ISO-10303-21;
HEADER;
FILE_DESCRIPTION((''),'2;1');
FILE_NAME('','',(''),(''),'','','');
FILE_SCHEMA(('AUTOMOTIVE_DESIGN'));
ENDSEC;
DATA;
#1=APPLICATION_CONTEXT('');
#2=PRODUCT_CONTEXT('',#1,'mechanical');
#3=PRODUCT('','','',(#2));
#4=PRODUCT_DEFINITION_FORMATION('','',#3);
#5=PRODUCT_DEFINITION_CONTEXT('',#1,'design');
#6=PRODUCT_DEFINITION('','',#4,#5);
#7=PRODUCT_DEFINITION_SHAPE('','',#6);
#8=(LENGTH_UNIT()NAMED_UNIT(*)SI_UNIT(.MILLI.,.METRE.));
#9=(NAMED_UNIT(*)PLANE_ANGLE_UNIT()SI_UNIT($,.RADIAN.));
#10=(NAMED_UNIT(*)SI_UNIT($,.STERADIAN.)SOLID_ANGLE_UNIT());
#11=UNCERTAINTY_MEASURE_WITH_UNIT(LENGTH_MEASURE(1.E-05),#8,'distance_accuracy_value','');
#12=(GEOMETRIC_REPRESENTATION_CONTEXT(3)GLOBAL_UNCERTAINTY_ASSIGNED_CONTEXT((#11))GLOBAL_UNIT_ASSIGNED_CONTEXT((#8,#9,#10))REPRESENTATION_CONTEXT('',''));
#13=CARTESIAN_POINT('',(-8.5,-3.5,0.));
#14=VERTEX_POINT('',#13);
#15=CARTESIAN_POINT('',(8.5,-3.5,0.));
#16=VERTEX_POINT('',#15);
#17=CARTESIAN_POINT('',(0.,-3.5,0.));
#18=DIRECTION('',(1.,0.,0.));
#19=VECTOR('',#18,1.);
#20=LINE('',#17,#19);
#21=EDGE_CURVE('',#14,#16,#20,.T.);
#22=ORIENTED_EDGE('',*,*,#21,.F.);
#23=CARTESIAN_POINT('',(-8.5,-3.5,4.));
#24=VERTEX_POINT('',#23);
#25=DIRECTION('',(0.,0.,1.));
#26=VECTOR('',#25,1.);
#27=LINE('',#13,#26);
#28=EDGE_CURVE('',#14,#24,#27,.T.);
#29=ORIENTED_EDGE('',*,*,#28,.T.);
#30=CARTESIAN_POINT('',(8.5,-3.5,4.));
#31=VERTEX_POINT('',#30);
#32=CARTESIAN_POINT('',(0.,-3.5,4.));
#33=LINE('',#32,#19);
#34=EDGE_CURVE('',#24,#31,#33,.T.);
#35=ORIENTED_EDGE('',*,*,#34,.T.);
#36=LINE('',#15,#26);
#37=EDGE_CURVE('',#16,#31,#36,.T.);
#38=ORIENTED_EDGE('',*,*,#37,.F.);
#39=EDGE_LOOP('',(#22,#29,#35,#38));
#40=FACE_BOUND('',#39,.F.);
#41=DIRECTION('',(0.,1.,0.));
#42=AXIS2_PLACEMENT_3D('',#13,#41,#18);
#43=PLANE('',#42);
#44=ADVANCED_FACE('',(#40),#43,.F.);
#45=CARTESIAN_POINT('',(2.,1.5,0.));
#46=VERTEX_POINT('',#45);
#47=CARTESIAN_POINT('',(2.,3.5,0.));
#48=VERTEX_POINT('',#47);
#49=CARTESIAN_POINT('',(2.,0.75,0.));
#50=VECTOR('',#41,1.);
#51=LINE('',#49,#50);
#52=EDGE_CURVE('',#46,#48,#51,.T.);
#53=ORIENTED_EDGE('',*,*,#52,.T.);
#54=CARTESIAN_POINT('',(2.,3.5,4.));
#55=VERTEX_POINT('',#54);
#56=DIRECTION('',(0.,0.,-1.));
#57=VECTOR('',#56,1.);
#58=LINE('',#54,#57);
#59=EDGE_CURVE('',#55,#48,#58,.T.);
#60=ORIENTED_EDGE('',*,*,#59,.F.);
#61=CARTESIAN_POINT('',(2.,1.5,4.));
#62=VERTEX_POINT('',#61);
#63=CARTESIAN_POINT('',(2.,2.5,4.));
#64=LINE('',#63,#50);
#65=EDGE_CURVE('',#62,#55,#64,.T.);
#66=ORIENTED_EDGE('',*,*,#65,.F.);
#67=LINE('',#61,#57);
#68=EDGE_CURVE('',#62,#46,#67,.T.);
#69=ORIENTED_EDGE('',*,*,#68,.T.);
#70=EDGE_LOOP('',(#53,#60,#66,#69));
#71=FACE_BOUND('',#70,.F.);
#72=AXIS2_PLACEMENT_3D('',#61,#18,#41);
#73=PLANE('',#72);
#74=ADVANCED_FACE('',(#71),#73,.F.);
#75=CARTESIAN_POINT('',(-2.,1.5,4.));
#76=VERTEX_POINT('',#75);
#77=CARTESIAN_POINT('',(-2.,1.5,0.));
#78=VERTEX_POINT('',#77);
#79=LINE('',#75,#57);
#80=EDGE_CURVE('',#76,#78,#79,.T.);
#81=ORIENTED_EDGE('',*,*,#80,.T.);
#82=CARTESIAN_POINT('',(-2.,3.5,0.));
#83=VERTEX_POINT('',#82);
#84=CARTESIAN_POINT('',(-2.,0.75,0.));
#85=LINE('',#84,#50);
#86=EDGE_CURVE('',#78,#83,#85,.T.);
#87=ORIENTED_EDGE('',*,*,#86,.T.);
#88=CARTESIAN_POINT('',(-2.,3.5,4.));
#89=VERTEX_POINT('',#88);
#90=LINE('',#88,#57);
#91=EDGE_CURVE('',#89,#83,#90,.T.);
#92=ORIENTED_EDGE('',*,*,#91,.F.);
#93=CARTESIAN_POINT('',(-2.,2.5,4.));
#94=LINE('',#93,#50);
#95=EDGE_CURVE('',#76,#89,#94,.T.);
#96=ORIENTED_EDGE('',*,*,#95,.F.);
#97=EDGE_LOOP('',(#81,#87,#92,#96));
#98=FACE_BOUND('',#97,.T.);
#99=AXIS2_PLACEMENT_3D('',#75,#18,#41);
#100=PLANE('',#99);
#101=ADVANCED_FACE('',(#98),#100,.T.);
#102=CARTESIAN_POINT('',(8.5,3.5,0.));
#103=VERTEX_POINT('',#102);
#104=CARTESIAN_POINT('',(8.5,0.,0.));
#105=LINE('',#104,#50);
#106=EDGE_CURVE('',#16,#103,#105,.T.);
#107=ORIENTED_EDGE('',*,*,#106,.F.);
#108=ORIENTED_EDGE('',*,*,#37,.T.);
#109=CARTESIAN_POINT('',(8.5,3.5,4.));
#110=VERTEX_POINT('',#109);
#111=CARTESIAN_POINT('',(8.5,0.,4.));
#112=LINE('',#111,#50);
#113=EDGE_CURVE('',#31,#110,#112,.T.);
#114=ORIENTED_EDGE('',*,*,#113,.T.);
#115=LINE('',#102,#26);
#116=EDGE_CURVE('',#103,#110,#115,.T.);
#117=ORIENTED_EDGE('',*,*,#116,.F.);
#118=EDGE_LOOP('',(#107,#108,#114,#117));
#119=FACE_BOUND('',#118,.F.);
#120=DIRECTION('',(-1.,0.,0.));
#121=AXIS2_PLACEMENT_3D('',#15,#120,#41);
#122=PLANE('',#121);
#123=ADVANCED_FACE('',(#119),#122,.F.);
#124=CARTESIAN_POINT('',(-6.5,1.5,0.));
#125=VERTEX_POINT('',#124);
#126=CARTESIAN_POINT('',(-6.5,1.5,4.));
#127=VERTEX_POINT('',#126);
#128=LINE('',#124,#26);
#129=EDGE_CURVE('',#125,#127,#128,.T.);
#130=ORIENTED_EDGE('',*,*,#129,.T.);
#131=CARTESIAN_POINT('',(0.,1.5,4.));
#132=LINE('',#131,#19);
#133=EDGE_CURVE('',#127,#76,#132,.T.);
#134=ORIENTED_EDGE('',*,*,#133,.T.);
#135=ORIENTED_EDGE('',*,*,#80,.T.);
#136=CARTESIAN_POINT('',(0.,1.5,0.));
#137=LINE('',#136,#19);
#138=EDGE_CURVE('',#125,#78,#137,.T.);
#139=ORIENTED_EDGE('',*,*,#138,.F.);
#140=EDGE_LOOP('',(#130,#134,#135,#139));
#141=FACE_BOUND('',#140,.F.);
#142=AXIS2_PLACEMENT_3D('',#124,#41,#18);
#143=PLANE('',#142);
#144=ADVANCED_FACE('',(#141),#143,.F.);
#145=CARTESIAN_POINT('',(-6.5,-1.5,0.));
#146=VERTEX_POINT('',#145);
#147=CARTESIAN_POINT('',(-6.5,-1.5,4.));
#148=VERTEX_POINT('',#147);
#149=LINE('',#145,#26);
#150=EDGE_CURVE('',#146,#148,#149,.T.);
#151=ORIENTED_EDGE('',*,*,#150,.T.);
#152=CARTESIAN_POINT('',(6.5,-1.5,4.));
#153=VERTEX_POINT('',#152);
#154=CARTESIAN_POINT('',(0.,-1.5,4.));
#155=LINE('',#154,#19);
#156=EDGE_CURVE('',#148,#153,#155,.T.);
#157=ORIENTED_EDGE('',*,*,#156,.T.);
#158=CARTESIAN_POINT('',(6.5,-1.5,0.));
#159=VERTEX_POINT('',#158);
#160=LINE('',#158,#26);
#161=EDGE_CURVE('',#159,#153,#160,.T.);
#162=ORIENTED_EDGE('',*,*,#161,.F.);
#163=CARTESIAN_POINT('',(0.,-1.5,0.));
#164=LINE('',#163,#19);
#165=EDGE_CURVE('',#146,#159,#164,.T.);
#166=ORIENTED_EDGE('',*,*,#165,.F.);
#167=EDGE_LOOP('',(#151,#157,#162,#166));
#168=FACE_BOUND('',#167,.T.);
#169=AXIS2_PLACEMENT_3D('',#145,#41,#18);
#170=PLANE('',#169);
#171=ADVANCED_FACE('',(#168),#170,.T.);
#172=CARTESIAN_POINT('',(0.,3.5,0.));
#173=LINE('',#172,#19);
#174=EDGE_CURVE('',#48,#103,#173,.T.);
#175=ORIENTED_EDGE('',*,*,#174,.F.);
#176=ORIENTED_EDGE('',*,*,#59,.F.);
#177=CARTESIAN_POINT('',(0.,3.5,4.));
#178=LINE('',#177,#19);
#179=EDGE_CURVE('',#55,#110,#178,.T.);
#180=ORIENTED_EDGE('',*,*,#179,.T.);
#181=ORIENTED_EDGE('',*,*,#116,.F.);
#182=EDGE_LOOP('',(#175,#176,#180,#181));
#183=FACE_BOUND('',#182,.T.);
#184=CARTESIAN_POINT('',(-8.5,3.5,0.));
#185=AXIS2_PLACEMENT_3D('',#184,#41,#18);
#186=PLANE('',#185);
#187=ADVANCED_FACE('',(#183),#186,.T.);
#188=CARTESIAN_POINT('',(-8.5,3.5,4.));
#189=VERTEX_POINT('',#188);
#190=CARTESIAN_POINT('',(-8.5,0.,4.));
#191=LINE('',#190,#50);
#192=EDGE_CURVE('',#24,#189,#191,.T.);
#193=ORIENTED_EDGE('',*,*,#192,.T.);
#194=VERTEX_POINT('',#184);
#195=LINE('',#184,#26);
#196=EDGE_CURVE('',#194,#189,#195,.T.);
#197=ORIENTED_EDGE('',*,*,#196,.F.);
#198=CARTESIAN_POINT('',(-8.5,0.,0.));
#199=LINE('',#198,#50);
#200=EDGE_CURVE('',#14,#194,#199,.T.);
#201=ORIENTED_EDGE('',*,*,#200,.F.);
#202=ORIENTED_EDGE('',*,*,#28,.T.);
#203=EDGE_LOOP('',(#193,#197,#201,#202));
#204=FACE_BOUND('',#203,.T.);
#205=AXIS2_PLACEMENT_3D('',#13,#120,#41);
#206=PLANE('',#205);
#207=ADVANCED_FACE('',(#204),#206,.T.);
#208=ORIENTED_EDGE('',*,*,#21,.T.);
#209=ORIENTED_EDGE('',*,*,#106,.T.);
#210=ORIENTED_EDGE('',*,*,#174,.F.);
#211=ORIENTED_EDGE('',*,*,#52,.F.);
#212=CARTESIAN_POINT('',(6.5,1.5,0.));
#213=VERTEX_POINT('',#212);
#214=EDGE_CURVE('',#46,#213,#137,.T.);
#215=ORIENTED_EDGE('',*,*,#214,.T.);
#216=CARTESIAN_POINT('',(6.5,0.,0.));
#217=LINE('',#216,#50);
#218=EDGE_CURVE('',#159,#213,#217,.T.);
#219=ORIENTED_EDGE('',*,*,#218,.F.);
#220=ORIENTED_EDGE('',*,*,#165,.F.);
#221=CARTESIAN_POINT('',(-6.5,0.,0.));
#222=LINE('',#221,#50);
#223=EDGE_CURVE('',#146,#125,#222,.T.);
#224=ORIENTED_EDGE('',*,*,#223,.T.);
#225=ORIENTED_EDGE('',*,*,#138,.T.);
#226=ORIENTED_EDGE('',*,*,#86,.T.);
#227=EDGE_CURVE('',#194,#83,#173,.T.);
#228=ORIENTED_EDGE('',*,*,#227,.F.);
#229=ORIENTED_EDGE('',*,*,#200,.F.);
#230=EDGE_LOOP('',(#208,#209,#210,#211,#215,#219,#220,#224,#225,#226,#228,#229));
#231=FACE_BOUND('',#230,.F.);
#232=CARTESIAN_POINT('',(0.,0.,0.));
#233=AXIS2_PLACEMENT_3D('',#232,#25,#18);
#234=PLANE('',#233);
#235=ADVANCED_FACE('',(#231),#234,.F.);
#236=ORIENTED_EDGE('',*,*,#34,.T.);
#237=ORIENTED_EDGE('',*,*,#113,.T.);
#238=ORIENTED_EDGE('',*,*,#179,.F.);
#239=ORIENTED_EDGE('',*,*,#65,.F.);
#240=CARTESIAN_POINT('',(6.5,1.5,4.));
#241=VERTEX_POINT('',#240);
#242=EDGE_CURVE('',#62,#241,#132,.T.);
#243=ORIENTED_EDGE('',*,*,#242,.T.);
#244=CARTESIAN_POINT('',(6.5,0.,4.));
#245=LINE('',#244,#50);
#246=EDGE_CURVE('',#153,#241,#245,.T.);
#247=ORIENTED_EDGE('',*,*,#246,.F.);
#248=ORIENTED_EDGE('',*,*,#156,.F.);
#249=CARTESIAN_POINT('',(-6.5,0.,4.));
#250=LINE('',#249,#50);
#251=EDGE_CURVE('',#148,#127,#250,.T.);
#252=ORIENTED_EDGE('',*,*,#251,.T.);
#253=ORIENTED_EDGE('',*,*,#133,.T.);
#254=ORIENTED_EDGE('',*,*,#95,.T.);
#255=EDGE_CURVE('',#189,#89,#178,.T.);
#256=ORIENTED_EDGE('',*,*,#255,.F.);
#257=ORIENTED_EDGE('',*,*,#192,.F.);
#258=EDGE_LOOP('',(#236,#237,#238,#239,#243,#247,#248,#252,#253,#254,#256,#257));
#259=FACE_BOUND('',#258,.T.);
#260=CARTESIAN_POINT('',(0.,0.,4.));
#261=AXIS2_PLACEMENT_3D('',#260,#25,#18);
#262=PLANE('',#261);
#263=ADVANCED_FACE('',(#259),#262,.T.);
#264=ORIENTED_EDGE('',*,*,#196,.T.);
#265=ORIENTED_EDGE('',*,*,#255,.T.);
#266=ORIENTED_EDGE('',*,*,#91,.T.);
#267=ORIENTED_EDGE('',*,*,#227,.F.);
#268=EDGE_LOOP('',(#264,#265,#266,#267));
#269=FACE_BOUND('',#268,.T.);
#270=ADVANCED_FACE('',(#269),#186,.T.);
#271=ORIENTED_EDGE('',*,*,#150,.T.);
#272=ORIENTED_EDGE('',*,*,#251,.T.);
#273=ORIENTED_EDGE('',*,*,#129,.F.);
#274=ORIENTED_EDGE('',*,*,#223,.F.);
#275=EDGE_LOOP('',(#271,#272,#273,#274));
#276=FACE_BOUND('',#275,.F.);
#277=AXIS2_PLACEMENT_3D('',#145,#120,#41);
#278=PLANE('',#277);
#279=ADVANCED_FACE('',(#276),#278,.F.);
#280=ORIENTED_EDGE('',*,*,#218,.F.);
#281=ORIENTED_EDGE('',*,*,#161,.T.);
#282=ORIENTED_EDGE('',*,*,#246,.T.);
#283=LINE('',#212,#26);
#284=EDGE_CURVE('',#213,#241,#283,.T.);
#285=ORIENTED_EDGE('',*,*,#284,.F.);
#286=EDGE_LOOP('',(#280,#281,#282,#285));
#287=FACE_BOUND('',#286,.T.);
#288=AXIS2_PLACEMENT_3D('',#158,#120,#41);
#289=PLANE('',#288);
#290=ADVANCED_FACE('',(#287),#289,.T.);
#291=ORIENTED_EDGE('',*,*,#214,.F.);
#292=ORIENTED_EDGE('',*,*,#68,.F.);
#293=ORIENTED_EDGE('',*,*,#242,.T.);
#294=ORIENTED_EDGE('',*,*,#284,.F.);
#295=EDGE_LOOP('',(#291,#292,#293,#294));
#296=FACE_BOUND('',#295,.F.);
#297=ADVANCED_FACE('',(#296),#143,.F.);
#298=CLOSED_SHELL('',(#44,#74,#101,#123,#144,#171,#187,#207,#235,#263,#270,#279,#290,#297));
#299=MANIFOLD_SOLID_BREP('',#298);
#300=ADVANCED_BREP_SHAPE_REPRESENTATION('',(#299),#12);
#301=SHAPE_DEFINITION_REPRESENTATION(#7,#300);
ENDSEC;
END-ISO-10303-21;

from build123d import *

# Parameters (mm, degrees)
F0_W     = 17
F0_H     = 7
F0_W_2   = 13
F0_H_2   = 3
F1_DEPTH = 4
F2_W     = 4
F2_H     = 2
F3_DEPTH = 25


with BuildPart() as f1:
    # F0 (on Top) → F1 (new body)
    with BuildSketch(Plane.XY):
        Rectangle(F0_W, F0_H)
        Rectangle(F0_W_2, F0_H_2, mode=Mode.SUBTRACT)
    extrude(amount=F1_DEPTH)

    # F2 (on face) → F3 (cut)
    with BuildSketch(Plane.XY.offset(4)):
        with Locations((0, 2.5)):
            Rectangle(F2_W, F2_H)
    extrude(amount=-F3_DEPTH, mode=Mode.SUBTRACT)


solid = f1.part
